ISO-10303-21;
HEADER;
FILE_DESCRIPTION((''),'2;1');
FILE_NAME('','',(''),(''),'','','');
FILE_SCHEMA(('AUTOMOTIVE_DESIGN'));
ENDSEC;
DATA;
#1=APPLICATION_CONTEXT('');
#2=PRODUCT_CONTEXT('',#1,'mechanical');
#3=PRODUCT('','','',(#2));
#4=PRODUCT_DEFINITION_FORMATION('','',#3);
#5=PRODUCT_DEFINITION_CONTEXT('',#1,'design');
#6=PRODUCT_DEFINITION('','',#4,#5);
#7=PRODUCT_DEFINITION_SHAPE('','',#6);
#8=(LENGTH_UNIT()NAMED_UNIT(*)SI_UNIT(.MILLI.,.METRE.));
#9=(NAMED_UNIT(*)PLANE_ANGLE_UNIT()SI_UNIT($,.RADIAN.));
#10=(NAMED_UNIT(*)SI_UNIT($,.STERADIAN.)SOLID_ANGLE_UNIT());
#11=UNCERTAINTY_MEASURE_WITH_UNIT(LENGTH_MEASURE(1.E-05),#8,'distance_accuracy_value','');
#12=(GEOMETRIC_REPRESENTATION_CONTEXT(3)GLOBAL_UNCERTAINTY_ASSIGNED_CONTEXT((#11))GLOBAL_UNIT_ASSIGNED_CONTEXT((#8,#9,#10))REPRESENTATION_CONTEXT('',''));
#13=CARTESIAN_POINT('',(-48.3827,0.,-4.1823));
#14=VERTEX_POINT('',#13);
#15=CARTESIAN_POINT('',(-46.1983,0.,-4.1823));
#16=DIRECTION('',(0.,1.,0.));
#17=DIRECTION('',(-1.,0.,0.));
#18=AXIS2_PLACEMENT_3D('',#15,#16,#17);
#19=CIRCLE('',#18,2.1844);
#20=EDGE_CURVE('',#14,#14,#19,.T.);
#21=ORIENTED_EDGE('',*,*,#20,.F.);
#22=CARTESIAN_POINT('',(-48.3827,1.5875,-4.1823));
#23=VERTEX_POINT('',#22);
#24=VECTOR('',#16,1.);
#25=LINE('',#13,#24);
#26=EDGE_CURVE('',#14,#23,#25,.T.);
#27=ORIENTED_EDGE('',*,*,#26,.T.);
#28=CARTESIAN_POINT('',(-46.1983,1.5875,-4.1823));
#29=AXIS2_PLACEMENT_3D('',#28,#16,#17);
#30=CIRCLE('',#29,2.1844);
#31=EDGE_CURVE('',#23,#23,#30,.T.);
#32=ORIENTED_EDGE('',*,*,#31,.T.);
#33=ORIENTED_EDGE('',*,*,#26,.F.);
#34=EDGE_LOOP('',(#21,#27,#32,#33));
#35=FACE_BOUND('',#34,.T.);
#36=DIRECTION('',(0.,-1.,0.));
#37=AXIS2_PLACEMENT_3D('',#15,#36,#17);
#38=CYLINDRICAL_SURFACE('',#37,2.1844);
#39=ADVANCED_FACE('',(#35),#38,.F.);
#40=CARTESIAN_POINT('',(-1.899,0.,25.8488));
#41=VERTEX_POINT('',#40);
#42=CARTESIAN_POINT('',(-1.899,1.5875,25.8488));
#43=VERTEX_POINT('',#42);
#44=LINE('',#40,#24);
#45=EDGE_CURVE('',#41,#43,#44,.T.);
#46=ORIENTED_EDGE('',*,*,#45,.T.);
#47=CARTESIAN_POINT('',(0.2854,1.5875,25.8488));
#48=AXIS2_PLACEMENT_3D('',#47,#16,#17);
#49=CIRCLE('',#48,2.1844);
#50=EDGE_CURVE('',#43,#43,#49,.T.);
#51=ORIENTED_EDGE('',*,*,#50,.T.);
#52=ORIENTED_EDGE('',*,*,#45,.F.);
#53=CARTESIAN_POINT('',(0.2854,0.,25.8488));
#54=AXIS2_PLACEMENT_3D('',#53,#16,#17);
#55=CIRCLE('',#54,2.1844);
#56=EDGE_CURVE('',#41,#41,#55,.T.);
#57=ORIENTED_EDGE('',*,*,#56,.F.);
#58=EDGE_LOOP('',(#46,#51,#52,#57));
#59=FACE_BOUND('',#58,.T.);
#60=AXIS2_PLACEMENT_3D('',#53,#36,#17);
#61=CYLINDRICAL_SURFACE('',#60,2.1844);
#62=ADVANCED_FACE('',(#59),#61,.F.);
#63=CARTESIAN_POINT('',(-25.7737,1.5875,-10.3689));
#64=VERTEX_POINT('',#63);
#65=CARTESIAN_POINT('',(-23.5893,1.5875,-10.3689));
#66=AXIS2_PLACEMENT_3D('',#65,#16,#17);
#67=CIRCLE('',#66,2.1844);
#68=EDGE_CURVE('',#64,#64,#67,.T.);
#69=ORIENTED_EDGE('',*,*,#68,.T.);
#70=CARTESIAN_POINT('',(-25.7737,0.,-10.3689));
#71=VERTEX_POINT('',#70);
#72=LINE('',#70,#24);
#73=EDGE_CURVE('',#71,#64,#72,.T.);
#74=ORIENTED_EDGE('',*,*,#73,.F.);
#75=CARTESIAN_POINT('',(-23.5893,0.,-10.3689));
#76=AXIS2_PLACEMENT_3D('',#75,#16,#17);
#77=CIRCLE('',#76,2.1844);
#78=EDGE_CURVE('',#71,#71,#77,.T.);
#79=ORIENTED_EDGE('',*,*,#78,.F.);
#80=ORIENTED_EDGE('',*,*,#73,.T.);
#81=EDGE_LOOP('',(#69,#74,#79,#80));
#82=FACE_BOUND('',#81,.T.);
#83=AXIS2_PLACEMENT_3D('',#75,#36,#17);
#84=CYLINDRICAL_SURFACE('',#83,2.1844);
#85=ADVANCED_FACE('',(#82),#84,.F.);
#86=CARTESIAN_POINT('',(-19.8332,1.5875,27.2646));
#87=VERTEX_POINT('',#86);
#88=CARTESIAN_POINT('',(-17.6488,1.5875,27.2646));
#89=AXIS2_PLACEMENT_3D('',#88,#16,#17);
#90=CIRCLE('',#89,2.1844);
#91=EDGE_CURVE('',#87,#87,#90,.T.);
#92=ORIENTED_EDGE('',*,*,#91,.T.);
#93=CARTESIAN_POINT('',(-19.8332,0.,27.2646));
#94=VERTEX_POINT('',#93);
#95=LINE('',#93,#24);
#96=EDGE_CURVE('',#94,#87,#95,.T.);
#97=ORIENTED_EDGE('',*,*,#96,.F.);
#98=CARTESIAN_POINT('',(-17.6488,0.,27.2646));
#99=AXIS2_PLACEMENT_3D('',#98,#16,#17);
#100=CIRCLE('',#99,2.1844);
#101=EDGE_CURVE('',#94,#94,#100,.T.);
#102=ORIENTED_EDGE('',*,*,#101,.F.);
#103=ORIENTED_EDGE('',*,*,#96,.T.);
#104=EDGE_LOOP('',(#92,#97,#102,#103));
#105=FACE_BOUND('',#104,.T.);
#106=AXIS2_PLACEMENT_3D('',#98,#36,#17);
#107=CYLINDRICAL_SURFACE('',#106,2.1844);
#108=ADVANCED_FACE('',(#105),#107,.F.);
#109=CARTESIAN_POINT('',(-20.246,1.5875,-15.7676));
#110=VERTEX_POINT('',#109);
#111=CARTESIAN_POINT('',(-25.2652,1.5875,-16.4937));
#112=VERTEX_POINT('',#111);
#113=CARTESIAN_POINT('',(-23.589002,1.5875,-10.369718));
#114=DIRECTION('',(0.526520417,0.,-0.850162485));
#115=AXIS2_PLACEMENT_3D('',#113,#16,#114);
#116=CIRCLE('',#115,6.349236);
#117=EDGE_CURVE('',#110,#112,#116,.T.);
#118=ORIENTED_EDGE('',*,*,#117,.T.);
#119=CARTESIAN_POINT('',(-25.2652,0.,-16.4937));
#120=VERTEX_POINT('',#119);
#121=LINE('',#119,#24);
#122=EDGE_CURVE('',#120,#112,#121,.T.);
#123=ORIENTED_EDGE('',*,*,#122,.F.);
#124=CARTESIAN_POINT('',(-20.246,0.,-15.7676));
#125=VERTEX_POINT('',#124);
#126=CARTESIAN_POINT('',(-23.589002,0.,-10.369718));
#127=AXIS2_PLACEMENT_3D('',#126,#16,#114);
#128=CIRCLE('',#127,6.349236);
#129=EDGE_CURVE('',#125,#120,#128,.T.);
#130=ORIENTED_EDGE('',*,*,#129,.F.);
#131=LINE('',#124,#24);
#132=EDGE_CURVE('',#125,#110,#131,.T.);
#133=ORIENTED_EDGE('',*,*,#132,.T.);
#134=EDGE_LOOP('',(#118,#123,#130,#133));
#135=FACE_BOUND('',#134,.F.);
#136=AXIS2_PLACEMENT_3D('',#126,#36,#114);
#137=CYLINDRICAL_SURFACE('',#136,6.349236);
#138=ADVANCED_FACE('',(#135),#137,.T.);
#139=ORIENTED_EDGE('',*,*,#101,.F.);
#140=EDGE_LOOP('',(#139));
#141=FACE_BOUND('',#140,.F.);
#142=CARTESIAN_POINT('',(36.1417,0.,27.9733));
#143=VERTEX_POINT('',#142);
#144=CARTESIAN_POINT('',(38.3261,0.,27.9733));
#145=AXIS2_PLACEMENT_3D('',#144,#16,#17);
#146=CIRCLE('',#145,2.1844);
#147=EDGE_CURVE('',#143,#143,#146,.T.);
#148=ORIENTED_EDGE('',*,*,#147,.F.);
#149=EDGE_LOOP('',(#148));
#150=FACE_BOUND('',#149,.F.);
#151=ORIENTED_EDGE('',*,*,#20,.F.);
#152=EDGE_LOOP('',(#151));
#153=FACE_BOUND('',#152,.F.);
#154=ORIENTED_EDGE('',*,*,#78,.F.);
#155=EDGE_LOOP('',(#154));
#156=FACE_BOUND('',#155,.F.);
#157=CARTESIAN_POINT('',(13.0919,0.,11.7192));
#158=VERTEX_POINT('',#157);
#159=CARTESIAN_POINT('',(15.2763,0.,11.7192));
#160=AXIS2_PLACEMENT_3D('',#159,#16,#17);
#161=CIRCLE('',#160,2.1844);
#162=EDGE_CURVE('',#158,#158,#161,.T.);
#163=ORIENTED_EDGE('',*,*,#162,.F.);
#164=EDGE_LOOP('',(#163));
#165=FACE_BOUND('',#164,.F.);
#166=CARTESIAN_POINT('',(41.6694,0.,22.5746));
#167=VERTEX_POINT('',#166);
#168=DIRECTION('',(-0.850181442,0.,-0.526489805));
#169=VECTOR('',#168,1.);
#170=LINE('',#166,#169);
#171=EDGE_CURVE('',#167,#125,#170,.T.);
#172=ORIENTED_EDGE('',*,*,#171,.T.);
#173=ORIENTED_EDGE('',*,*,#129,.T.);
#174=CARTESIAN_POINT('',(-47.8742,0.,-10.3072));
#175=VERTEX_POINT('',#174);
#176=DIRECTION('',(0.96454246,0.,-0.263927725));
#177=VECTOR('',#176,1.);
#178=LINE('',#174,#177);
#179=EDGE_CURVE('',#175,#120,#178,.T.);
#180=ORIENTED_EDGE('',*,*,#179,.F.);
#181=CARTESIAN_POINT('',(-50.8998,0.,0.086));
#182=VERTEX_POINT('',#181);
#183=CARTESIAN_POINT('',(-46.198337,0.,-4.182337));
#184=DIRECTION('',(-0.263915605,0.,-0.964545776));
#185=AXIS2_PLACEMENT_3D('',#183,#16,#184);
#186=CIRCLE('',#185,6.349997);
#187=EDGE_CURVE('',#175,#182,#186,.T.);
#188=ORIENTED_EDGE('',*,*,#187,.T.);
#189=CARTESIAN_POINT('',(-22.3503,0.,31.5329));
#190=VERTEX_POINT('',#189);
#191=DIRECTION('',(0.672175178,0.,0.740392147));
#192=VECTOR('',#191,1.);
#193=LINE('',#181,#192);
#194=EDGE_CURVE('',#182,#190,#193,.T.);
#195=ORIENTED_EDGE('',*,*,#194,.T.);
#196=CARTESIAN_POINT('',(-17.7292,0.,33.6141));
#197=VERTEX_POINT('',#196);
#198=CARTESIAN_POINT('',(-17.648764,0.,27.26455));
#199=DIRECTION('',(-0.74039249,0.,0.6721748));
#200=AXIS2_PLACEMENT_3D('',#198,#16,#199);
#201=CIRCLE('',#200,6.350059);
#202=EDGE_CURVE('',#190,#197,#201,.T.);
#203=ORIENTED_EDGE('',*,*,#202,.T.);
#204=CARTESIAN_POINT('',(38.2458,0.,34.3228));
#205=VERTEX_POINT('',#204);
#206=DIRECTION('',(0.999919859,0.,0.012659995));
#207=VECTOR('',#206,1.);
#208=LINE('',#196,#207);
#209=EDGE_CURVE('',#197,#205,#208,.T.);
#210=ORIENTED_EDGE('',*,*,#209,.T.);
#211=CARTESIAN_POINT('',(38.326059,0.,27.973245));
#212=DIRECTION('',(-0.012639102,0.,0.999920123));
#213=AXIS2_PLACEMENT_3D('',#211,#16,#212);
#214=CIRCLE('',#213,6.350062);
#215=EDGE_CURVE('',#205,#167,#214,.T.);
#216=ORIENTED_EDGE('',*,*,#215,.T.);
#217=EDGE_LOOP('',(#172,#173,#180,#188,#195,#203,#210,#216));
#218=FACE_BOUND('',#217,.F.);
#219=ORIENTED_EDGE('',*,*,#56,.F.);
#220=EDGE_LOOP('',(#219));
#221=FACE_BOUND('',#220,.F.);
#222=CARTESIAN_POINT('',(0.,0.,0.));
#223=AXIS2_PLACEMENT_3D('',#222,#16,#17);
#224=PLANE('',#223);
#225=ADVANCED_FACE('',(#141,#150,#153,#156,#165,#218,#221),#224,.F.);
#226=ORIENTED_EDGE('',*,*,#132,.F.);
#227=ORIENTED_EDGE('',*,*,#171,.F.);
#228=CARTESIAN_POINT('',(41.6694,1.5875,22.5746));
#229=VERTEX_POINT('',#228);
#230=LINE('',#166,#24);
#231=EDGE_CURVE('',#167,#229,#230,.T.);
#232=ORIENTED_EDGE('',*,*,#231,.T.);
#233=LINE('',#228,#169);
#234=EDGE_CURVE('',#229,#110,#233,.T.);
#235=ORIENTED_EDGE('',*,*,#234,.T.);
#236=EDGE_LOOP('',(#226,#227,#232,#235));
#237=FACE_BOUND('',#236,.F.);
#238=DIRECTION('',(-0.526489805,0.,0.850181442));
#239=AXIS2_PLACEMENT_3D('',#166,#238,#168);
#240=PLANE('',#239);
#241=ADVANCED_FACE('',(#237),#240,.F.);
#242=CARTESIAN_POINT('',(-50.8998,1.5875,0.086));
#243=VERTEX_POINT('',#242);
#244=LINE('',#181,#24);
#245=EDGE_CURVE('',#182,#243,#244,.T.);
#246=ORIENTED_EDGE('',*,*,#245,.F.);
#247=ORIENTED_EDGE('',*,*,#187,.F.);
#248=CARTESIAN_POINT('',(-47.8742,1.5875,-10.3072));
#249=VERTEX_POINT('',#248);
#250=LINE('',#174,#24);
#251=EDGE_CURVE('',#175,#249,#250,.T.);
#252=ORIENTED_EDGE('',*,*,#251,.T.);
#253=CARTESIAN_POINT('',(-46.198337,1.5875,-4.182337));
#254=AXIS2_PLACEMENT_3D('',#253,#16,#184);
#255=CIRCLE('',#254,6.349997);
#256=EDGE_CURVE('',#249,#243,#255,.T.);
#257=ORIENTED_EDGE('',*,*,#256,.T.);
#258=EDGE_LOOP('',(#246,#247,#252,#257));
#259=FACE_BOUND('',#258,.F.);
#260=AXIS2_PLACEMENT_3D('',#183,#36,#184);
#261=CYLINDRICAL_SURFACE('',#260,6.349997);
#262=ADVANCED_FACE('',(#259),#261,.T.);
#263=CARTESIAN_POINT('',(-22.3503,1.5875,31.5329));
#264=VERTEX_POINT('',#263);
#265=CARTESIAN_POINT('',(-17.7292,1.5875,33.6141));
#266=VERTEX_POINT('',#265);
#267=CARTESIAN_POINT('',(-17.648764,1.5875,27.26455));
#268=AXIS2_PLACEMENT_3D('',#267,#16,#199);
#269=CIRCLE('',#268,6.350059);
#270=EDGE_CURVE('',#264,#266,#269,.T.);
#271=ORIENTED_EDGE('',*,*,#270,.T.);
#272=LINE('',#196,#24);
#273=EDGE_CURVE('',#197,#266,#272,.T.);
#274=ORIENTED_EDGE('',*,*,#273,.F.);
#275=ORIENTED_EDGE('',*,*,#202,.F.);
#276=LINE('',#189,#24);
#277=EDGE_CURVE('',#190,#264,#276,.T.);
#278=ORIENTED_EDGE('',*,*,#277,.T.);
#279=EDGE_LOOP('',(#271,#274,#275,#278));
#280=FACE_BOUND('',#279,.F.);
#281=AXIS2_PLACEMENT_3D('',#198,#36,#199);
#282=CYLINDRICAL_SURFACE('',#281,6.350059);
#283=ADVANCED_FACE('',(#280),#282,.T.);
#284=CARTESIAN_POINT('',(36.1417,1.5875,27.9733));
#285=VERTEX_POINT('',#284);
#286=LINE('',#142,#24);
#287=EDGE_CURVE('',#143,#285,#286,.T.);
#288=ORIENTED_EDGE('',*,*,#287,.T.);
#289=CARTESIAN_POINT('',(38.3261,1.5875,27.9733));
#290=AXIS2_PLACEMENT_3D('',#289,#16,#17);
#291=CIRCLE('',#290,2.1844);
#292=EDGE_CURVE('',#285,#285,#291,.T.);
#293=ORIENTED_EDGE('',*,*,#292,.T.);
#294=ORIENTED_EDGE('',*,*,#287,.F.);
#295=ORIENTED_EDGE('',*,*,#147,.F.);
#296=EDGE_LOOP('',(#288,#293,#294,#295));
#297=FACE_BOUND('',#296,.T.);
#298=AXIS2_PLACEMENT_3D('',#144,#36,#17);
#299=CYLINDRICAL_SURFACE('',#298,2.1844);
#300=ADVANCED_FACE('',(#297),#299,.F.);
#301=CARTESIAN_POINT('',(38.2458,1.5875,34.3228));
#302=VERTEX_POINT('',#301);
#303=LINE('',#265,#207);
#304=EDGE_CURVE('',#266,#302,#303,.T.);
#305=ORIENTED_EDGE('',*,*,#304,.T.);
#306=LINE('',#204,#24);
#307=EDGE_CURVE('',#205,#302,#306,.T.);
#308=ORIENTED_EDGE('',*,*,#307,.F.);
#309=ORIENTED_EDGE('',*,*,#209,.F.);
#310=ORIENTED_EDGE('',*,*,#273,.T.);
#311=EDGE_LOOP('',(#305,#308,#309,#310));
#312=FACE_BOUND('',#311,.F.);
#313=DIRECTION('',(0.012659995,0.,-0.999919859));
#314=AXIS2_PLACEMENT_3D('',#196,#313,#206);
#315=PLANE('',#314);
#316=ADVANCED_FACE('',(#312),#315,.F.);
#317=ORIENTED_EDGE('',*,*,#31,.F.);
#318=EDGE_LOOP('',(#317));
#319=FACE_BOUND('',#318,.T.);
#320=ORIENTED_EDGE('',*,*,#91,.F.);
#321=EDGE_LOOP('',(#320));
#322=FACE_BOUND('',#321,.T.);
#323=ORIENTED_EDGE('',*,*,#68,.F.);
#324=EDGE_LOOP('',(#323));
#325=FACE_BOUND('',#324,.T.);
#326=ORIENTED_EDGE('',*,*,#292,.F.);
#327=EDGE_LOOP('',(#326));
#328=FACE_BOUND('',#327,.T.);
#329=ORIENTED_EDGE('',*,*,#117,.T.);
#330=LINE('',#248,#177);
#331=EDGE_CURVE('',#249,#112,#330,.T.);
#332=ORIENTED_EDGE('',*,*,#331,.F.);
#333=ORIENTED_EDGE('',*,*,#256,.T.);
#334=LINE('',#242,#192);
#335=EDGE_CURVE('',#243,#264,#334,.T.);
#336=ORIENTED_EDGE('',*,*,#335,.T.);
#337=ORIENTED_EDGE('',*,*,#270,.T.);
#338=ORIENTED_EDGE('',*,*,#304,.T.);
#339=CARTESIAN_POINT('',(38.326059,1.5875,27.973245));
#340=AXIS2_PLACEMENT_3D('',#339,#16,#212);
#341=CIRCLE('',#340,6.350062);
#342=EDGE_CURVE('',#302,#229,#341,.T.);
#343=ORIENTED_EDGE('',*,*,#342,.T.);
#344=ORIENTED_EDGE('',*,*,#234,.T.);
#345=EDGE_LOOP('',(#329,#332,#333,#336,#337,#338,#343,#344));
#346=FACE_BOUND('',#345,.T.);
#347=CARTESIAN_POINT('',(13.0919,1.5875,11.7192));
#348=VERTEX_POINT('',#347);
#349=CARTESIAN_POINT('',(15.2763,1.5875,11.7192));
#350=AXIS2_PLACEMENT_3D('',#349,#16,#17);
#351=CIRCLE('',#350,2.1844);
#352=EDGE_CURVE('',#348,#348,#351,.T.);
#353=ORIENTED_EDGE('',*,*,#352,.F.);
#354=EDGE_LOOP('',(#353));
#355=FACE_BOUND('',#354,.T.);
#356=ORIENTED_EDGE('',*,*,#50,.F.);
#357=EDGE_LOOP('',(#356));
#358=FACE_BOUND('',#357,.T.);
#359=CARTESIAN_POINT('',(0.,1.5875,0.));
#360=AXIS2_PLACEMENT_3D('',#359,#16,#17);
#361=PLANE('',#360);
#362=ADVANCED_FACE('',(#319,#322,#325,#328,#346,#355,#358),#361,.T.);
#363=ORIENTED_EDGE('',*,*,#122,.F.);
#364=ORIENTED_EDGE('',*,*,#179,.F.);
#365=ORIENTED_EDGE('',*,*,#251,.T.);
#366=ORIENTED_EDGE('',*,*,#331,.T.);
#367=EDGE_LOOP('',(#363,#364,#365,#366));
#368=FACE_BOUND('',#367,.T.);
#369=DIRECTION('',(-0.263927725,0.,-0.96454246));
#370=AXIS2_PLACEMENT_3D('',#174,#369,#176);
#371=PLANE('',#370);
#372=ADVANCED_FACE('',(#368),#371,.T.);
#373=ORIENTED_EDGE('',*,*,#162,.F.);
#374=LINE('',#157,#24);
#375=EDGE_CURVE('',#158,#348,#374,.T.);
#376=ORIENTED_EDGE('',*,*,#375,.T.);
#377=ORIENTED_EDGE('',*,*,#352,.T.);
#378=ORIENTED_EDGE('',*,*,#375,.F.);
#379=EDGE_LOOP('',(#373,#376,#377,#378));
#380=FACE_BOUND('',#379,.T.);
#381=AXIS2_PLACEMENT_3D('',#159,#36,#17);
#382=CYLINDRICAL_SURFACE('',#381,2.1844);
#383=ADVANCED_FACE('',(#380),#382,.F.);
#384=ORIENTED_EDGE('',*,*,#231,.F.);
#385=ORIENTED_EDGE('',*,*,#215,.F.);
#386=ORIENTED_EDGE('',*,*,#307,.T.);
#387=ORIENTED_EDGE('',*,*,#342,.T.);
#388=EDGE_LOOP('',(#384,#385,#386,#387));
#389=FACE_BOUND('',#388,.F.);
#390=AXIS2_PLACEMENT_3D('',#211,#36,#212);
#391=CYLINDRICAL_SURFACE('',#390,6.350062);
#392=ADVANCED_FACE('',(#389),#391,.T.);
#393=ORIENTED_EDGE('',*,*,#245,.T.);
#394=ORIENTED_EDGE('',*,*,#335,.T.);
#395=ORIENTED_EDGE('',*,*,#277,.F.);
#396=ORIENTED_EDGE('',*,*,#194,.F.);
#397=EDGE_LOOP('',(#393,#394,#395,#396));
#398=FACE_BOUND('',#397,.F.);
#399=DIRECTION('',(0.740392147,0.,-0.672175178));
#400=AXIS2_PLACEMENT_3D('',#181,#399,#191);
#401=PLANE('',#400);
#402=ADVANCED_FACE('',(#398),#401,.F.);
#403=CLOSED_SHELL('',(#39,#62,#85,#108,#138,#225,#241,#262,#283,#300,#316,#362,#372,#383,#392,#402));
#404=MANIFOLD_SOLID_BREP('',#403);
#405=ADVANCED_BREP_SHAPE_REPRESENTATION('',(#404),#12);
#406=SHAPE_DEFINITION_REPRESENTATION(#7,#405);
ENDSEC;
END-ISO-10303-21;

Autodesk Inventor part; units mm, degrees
ref_plane "YZ Plane" through (0, 0, 0) normal (1, 0, 0) x (0, 1, 0)
ref_plane "XZ Plane" through (0, 0, 0) normal (0, 1, 0) x (-1, 0, 0)
ref_plane "XY Plane" through (0, 0, 0) normal (0, 0, 1) x (1, 0, 0)
sketch "Sketch1" plane through (0, 0, 0) normal (0, 1, 0) x (-1, 0, 0)
  circle A0 centre (-15.2763, 11.7192) radius 2.1844
  circle A1 centre (46.1983, -4.1823) radius 2.1844
  circle A2 centre (-0.2854, 25.8488) radius 2.1844
  circle A3 centre (17.6488, 27.2646) radius 2.1844
  circle A4 centre (23.5893, -10.3689) radius 2.1844
  circle A5 centre (-38.3261, 27.9733) radius 2.1844
  arc A6 (-38.2458, 34.3228) -> (-41.6694, 22.5746) centre (-38.3261, 27.9733) ccw
  arc A7 (20.246, -15.7676) -> (25.2652, -16.4937) centre (23.5893, -10.3689) ccw
  line L0 (-41.6694, 22.5746) -> (20.246, -15.7676)
  arc A8 (22.3503, 31.5329) -> (17.7292, 33.6141) centre (17.6488, 27.2646) ccw
  line L1 (17.7292, 33.6141) -> (-38.2458, 34.3228)
  arc A9 (47.8742, -10.3072) -> (50.8998, 0.086) centre (46.1983, -4.1823) ccw
  line L2 (50.8998, 0.086) -> (22.3503, 31.5329)
  line L3 (47.8742, -10.3072) -> (25.2652, -16.4937)
  point P0 (0, 0)
  point P1 (21.7554, 32.108)
  point P2 (24.1332, -16.6956)
extrude "Extrusion1" add sketch "Sketch1" along normal blind 1.5875
properties part number "newsidepolytest"
